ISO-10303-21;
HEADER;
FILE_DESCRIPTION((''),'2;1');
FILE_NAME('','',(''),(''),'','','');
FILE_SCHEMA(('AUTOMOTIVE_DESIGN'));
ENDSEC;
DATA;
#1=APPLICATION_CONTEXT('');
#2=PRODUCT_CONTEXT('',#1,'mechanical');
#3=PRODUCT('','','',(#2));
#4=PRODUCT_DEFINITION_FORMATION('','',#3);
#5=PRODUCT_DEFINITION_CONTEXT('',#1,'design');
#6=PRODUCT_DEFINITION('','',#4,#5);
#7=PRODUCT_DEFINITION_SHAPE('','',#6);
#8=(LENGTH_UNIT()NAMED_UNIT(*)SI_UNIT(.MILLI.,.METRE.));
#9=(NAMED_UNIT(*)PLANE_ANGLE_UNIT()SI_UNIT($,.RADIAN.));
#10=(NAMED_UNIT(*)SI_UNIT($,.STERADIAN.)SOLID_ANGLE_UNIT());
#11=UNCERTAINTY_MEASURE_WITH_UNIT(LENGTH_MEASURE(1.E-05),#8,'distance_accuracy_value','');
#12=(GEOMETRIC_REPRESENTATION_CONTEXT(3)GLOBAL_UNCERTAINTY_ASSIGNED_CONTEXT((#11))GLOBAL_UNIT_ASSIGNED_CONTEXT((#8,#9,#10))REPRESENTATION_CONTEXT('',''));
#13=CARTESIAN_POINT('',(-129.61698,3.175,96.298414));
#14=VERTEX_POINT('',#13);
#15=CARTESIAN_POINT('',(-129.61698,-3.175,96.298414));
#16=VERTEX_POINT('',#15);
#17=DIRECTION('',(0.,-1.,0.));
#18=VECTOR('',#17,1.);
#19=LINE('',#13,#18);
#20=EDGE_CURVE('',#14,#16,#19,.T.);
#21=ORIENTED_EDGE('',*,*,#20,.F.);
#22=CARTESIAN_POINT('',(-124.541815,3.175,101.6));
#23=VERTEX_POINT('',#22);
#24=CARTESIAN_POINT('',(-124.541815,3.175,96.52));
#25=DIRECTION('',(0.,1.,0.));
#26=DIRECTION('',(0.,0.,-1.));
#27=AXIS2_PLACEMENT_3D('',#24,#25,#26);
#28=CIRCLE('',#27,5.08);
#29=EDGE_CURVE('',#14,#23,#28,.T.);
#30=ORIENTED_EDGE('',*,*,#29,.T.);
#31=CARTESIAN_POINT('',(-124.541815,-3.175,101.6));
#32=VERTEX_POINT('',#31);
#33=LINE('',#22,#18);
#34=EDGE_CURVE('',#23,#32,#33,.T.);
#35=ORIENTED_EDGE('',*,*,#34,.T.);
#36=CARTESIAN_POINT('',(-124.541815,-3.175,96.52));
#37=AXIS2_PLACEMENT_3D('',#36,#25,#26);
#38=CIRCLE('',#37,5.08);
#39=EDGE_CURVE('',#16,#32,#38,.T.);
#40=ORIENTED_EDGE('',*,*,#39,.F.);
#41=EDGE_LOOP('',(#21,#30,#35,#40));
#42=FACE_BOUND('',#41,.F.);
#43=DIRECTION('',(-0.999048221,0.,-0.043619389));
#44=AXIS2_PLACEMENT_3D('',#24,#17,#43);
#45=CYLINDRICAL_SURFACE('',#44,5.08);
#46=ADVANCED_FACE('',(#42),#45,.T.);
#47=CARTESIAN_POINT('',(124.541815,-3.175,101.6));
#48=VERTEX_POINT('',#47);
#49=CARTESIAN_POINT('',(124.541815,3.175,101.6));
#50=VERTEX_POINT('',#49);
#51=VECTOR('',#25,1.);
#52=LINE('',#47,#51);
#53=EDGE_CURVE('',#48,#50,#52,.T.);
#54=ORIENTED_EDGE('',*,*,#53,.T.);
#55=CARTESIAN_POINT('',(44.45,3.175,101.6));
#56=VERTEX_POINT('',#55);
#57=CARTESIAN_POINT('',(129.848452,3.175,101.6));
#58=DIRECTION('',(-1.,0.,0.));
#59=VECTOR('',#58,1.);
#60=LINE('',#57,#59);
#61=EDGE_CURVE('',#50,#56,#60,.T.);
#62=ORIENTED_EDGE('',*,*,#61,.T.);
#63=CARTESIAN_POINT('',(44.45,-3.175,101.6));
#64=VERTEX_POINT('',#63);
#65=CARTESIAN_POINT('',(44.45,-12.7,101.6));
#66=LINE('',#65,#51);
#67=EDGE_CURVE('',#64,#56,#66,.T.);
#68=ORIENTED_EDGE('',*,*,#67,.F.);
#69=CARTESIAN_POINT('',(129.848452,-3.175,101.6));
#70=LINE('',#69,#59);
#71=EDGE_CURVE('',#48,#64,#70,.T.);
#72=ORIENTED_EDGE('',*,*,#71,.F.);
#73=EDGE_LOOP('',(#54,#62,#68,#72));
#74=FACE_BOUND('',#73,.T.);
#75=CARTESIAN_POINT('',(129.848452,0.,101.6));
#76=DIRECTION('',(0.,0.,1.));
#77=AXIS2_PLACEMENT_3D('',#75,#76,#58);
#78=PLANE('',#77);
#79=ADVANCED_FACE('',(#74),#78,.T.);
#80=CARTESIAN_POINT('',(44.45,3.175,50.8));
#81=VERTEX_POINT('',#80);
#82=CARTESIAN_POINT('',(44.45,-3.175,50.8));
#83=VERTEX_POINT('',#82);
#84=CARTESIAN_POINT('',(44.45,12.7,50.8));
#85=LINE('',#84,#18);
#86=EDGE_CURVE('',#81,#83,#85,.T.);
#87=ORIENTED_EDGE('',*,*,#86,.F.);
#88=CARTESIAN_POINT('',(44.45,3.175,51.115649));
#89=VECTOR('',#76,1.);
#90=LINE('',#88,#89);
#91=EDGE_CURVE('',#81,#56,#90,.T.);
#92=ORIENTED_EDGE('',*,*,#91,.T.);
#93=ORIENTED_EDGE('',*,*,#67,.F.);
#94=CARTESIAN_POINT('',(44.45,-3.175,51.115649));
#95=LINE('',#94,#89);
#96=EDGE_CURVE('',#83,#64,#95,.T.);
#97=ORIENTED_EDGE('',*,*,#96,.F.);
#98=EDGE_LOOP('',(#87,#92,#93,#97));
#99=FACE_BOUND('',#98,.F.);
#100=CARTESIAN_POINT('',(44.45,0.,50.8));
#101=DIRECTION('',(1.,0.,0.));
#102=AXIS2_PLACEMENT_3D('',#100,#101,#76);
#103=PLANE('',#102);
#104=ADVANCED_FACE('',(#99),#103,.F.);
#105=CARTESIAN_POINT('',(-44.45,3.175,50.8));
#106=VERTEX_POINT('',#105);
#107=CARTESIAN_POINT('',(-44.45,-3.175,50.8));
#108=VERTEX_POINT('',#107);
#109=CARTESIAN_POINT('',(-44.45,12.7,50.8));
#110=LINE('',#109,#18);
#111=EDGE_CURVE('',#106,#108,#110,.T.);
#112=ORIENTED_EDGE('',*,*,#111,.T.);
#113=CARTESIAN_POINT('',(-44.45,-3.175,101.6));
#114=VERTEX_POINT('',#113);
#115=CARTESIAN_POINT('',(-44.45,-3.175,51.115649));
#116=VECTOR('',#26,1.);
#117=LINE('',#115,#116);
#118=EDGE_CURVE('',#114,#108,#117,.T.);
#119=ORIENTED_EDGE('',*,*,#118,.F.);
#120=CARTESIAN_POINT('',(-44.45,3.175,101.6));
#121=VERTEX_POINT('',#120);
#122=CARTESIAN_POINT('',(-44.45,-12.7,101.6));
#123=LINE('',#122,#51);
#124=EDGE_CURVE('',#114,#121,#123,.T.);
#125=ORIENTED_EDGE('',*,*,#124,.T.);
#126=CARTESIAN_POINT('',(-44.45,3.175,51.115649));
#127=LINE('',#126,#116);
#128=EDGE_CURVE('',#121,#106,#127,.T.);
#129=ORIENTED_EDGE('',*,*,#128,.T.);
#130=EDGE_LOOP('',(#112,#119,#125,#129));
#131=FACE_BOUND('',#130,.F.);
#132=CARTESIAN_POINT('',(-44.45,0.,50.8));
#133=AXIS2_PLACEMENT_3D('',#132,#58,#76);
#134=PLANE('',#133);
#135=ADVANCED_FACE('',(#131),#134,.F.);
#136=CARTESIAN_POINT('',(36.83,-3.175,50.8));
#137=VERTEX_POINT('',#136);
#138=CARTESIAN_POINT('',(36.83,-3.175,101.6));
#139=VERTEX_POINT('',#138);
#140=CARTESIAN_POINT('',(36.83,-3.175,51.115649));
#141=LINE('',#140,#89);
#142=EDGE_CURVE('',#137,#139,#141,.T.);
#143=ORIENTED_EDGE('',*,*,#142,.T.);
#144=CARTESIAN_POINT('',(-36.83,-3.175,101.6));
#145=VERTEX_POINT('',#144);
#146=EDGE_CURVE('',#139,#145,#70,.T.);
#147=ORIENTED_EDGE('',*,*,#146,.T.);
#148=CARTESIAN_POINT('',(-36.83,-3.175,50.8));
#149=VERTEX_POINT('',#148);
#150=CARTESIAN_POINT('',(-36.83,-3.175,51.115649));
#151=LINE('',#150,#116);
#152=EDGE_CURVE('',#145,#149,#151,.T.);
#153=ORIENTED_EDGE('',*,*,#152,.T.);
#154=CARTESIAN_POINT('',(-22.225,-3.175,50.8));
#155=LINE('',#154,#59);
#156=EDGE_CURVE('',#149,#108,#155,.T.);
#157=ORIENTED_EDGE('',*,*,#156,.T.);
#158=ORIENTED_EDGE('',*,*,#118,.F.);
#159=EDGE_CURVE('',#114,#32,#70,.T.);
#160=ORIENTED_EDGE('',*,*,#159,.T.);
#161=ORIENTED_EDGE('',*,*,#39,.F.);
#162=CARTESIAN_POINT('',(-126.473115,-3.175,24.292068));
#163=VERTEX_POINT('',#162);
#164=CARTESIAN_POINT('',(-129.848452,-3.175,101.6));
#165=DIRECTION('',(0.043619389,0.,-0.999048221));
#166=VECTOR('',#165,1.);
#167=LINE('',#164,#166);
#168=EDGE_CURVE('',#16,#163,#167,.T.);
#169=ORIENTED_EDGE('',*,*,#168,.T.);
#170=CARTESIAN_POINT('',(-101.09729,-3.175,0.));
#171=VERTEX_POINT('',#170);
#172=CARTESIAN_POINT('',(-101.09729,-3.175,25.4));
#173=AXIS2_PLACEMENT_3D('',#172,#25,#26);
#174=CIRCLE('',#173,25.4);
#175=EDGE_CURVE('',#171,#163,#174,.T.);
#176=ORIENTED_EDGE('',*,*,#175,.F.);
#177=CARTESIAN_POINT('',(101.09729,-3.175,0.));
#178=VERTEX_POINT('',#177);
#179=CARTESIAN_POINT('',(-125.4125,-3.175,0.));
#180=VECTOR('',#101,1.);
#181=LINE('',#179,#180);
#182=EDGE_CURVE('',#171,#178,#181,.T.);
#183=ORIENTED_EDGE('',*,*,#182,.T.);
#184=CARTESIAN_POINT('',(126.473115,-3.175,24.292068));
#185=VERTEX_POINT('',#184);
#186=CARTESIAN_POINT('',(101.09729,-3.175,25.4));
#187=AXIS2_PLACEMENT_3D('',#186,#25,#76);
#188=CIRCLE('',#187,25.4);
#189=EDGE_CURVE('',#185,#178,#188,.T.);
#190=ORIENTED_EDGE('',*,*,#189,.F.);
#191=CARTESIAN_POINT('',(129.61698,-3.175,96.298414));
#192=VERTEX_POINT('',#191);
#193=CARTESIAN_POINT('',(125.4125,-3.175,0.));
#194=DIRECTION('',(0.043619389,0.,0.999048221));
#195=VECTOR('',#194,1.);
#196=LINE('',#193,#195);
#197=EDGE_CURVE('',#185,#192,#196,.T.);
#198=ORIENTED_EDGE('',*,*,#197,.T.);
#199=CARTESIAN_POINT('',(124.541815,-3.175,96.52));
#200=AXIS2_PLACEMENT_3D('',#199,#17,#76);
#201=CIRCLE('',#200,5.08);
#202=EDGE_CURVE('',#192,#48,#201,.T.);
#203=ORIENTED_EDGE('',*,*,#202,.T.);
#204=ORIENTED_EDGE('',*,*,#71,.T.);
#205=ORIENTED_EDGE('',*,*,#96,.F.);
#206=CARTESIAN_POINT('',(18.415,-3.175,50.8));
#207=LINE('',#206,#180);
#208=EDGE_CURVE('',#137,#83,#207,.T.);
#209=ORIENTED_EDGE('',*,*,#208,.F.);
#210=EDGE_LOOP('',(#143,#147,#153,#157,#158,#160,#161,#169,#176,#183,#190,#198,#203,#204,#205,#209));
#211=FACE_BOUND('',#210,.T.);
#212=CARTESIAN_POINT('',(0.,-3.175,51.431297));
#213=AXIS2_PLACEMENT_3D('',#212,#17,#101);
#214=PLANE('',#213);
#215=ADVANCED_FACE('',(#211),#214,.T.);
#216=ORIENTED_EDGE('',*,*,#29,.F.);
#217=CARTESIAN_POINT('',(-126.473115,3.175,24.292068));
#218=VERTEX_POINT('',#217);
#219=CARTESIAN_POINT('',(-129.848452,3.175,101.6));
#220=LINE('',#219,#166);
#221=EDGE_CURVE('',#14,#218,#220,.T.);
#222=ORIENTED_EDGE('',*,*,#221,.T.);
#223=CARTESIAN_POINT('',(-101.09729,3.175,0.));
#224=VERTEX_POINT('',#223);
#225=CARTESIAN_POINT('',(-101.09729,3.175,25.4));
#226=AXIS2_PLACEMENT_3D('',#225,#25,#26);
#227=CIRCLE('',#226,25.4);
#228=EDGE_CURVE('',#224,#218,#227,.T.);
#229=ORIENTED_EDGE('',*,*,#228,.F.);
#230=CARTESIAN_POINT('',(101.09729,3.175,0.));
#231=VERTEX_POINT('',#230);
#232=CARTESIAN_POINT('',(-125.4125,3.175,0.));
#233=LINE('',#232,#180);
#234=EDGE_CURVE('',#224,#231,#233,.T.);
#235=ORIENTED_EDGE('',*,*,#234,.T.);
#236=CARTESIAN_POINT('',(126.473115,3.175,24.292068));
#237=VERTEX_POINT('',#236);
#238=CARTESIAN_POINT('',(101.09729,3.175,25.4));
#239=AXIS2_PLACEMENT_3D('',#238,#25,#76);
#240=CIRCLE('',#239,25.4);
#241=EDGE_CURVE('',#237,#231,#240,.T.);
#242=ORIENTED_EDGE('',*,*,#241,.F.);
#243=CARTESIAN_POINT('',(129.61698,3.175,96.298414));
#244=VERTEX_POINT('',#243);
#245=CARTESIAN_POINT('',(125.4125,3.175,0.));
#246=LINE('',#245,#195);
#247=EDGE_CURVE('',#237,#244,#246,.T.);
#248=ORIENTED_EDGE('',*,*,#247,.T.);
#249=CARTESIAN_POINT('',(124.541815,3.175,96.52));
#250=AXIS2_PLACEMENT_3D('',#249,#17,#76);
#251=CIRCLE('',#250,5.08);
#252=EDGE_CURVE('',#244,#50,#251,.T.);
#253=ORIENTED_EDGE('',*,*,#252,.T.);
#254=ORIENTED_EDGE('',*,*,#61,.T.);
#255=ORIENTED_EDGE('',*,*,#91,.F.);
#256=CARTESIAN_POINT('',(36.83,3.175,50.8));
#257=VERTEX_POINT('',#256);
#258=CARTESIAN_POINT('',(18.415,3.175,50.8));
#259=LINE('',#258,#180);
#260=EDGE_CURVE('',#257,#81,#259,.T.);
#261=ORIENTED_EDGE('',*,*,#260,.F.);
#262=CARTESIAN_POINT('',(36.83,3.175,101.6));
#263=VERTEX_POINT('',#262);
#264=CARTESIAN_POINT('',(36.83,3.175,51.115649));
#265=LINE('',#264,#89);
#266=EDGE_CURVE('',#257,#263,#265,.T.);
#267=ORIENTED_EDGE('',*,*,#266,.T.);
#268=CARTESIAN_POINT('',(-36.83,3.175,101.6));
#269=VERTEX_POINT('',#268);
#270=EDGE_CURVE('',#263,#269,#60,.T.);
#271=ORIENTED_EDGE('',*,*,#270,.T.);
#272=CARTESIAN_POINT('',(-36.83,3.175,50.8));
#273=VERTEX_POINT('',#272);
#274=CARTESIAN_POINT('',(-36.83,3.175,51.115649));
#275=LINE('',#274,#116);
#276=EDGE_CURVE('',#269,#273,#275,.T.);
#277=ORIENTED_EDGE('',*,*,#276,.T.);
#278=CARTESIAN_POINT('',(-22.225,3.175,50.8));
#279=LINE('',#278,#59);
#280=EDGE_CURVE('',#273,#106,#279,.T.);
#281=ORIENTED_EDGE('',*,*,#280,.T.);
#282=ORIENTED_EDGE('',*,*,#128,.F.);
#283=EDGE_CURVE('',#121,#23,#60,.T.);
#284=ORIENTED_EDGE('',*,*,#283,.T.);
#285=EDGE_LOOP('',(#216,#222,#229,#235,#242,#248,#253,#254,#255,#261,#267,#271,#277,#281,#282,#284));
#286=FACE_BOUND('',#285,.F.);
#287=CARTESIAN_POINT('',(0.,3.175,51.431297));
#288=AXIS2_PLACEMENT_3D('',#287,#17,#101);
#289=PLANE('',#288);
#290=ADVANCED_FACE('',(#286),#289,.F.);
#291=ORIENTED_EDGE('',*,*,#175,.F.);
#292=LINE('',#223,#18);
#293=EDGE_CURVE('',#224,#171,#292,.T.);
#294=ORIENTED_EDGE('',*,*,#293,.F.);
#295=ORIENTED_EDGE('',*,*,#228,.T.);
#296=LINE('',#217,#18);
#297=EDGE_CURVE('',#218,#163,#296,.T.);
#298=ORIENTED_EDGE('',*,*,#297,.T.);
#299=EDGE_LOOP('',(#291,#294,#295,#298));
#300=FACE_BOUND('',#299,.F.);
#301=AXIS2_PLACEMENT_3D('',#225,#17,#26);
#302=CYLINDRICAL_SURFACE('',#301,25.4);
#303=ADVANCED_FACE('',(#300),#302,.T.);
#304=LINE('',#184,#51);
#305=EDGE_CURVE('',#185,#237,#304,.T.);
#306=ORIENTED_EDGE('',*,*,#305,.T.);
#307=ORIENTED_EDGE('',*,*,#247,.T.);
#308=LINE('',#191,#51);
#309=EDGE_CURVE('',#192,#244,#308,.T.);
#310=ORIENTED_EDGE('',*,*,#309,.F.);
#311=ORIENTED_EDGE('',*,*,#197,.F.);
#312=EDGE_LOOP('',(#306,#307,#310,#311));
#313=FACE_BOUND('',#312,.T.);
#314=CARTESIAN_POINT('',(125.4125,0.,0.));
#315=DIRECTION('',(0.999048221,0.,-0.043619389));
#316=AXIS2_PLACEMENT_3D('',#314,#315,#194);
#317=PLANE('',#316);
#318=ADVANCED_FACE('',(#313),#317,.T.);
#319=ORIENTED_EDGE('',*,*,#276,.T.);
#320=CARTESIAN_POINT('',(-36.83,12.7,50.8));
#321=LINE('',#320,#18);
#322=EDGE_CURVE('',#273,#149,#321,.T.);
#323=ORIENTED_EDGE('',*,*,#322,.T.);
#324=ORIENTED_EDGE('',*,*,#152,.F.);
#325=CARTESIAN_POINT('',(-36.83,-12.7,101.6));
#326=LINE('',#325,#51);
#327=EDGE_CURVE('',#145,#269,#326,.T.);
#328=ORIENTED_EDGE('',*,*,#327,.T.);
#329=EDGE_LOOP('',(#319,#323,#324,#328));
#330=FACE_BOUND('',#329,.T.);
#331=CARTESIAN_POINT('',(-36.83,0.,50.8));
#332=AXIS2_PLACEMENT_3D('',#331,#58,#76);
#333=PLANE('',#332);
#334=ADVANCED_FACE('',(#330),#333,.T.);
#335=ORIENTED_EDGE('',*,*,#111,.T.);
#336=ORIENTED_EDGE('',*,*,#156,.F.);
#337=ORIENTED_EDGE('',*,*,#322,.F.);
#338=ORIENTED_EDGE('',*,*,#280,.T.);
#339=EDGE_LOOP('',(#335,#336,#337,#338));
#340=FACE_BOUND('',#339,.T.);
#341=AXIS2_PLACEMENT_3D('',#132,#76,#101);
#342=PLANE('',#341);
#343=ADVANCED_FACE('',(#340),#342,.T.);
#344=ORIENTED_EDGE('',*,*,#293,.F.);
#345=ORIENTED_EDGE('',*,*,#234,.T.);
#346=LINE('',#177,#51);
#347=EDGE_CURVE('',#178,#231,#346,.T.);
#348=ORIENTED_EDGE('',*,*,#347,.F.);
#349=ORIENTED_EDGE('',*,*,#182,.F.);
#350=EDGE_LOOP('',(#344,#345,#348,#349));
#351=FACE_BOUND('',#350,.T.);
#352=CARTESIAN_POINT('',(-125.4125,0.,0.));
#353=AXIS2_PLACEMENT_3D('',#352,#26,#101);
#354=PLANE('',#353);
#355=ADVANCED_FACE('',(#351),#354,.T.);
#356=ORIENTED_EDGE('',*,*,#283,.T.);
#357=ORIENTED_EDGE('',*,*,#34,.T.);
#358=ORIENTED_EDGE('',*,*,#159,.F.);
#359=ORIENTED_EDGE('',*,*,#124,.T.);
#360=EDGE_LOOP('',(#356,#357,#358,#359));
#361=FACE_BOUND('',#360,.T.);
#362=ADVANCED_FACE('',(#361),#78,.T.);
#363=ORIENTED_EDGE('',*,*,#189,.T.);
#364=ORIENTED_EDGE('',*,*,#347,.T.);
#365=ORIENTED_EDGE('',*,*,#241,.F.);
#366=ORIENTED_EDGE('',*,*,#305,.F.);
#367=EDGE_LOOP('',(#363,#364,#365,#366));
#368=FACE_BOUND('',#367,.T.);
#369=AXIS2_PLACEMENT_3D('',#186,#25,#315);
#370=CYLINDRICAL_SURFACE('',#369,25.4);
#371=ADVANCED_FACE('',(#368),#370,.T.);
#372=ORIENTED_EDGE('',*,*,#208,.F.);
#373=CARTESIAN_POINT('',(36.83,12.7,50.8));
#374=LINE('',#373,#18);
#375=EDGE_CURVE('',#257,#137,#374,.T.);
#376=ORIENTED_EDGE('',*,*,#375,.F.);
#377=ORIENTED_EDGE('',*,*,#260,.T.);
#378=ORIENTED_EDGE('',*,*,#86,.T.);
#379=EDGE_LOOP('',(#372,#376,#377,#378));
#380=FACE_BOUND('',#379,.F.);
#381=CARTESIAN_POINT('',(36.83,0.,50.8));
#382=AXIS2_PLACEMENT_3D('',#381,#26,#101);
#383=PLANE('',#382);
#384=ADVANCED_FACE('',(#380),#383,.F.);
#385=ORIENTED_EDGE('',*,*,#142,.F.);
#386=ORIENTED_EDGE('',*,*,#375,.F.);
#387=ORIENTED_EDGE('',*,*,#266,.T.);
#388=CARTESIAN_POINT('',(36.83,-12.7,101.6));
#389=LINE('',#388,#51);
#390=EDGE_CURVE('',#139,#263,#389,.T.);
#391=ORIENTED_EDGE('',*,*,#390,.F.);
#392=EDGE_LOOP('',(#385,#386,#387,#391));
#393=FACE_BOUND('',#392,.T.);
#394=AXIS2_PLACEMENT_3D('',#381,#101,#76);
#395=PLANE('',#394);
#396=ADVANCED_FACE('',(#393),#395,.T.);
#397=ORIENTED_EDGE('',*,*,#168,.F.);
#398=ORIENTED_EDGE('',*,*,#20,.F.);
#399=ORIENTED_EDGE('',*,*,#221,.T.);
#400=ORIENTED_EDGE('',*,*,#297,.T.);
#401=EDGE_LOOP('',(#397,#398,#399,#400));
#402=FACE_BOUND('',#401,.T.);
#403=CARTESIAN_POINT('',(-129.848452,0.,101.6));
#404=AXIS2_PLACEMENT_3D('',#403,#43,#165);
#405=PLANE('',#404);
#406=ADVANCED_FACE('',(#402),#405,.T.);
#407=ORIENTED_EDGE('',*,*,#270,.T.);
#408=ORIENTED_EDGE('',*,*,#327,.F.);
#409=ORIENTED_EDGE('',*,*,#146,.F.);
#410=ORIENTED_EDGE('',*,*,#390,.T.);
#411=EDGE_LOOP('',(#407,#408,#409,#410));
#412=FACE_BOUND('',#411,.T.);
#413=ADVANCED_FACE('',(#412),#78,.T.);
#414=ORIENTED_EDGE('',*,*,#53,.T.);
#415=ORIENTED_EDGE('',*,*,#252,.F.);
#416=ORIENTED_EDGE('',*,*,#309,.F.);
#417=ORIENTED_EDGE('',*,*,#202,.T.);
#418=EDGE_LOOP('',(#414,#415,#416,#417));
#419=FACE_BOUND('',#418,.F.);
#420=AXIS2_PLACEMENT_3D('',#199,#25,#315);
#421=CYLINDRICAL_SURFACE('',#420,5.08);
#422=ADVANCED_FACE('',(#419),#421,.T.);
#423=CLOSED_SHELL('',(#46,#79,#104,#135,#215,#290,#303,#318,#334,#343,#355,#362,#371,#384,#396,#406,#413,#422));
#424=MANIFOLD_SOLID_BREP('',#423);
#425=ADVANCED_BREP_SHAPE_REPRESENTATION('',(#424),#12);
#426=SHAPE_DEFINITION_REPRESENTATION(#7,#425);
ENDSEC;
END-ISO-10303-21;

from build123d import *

# Parameters (mm, degrees)
F1_DEPTH = 3.175
F2_W     = 7.62
F2_H     = 50.8
F3_DEPTH = 12.7
F4_R     = 25.4
F5_R     = 5.08


with BuildPart() as f1:
    # F0 (on Front) → F1 (new body, symmetric)
    with BuildSketch(Plane.XZ):
        Polygon((129.848452, 101.6), (-129.848452, 101.6), (-125.4125, 0), (125.4125, 0), align=None)
    extrude(amount=F1_DEPTH, both=True)

    # F2 (on Front) → F3 (cut, symmetric)
    with BuildSketch(Plane.XZ):
        with Locations((-40.64, 76.2)):
            Rectangle(F2_W, F2_H)
        with Locations((40.64, 76.2)):
            Rectangle(F2_W, F2_H)
    extrude(amount=F3_DEPTH, both=True, mode=Mode.SUBTRACT)

    # F4
    f4_edges = [f1.edges().sort_by_distance(p)[0] for p in [
        (-125.4125, 0, 0),
        (125.4125, 0, 0),
    ]]
    fillet(f4_edges, radius=F4_R)

    # F5
    f5_edges = [f1.edges().sort_by_distance(p)[0] for p in [
        (-129.848452, 0, 101.6),
        (129.848452, 0, 101.6),
    ]]
    fillet(f5_edges, radius=F5_R)


solid = f1.part
